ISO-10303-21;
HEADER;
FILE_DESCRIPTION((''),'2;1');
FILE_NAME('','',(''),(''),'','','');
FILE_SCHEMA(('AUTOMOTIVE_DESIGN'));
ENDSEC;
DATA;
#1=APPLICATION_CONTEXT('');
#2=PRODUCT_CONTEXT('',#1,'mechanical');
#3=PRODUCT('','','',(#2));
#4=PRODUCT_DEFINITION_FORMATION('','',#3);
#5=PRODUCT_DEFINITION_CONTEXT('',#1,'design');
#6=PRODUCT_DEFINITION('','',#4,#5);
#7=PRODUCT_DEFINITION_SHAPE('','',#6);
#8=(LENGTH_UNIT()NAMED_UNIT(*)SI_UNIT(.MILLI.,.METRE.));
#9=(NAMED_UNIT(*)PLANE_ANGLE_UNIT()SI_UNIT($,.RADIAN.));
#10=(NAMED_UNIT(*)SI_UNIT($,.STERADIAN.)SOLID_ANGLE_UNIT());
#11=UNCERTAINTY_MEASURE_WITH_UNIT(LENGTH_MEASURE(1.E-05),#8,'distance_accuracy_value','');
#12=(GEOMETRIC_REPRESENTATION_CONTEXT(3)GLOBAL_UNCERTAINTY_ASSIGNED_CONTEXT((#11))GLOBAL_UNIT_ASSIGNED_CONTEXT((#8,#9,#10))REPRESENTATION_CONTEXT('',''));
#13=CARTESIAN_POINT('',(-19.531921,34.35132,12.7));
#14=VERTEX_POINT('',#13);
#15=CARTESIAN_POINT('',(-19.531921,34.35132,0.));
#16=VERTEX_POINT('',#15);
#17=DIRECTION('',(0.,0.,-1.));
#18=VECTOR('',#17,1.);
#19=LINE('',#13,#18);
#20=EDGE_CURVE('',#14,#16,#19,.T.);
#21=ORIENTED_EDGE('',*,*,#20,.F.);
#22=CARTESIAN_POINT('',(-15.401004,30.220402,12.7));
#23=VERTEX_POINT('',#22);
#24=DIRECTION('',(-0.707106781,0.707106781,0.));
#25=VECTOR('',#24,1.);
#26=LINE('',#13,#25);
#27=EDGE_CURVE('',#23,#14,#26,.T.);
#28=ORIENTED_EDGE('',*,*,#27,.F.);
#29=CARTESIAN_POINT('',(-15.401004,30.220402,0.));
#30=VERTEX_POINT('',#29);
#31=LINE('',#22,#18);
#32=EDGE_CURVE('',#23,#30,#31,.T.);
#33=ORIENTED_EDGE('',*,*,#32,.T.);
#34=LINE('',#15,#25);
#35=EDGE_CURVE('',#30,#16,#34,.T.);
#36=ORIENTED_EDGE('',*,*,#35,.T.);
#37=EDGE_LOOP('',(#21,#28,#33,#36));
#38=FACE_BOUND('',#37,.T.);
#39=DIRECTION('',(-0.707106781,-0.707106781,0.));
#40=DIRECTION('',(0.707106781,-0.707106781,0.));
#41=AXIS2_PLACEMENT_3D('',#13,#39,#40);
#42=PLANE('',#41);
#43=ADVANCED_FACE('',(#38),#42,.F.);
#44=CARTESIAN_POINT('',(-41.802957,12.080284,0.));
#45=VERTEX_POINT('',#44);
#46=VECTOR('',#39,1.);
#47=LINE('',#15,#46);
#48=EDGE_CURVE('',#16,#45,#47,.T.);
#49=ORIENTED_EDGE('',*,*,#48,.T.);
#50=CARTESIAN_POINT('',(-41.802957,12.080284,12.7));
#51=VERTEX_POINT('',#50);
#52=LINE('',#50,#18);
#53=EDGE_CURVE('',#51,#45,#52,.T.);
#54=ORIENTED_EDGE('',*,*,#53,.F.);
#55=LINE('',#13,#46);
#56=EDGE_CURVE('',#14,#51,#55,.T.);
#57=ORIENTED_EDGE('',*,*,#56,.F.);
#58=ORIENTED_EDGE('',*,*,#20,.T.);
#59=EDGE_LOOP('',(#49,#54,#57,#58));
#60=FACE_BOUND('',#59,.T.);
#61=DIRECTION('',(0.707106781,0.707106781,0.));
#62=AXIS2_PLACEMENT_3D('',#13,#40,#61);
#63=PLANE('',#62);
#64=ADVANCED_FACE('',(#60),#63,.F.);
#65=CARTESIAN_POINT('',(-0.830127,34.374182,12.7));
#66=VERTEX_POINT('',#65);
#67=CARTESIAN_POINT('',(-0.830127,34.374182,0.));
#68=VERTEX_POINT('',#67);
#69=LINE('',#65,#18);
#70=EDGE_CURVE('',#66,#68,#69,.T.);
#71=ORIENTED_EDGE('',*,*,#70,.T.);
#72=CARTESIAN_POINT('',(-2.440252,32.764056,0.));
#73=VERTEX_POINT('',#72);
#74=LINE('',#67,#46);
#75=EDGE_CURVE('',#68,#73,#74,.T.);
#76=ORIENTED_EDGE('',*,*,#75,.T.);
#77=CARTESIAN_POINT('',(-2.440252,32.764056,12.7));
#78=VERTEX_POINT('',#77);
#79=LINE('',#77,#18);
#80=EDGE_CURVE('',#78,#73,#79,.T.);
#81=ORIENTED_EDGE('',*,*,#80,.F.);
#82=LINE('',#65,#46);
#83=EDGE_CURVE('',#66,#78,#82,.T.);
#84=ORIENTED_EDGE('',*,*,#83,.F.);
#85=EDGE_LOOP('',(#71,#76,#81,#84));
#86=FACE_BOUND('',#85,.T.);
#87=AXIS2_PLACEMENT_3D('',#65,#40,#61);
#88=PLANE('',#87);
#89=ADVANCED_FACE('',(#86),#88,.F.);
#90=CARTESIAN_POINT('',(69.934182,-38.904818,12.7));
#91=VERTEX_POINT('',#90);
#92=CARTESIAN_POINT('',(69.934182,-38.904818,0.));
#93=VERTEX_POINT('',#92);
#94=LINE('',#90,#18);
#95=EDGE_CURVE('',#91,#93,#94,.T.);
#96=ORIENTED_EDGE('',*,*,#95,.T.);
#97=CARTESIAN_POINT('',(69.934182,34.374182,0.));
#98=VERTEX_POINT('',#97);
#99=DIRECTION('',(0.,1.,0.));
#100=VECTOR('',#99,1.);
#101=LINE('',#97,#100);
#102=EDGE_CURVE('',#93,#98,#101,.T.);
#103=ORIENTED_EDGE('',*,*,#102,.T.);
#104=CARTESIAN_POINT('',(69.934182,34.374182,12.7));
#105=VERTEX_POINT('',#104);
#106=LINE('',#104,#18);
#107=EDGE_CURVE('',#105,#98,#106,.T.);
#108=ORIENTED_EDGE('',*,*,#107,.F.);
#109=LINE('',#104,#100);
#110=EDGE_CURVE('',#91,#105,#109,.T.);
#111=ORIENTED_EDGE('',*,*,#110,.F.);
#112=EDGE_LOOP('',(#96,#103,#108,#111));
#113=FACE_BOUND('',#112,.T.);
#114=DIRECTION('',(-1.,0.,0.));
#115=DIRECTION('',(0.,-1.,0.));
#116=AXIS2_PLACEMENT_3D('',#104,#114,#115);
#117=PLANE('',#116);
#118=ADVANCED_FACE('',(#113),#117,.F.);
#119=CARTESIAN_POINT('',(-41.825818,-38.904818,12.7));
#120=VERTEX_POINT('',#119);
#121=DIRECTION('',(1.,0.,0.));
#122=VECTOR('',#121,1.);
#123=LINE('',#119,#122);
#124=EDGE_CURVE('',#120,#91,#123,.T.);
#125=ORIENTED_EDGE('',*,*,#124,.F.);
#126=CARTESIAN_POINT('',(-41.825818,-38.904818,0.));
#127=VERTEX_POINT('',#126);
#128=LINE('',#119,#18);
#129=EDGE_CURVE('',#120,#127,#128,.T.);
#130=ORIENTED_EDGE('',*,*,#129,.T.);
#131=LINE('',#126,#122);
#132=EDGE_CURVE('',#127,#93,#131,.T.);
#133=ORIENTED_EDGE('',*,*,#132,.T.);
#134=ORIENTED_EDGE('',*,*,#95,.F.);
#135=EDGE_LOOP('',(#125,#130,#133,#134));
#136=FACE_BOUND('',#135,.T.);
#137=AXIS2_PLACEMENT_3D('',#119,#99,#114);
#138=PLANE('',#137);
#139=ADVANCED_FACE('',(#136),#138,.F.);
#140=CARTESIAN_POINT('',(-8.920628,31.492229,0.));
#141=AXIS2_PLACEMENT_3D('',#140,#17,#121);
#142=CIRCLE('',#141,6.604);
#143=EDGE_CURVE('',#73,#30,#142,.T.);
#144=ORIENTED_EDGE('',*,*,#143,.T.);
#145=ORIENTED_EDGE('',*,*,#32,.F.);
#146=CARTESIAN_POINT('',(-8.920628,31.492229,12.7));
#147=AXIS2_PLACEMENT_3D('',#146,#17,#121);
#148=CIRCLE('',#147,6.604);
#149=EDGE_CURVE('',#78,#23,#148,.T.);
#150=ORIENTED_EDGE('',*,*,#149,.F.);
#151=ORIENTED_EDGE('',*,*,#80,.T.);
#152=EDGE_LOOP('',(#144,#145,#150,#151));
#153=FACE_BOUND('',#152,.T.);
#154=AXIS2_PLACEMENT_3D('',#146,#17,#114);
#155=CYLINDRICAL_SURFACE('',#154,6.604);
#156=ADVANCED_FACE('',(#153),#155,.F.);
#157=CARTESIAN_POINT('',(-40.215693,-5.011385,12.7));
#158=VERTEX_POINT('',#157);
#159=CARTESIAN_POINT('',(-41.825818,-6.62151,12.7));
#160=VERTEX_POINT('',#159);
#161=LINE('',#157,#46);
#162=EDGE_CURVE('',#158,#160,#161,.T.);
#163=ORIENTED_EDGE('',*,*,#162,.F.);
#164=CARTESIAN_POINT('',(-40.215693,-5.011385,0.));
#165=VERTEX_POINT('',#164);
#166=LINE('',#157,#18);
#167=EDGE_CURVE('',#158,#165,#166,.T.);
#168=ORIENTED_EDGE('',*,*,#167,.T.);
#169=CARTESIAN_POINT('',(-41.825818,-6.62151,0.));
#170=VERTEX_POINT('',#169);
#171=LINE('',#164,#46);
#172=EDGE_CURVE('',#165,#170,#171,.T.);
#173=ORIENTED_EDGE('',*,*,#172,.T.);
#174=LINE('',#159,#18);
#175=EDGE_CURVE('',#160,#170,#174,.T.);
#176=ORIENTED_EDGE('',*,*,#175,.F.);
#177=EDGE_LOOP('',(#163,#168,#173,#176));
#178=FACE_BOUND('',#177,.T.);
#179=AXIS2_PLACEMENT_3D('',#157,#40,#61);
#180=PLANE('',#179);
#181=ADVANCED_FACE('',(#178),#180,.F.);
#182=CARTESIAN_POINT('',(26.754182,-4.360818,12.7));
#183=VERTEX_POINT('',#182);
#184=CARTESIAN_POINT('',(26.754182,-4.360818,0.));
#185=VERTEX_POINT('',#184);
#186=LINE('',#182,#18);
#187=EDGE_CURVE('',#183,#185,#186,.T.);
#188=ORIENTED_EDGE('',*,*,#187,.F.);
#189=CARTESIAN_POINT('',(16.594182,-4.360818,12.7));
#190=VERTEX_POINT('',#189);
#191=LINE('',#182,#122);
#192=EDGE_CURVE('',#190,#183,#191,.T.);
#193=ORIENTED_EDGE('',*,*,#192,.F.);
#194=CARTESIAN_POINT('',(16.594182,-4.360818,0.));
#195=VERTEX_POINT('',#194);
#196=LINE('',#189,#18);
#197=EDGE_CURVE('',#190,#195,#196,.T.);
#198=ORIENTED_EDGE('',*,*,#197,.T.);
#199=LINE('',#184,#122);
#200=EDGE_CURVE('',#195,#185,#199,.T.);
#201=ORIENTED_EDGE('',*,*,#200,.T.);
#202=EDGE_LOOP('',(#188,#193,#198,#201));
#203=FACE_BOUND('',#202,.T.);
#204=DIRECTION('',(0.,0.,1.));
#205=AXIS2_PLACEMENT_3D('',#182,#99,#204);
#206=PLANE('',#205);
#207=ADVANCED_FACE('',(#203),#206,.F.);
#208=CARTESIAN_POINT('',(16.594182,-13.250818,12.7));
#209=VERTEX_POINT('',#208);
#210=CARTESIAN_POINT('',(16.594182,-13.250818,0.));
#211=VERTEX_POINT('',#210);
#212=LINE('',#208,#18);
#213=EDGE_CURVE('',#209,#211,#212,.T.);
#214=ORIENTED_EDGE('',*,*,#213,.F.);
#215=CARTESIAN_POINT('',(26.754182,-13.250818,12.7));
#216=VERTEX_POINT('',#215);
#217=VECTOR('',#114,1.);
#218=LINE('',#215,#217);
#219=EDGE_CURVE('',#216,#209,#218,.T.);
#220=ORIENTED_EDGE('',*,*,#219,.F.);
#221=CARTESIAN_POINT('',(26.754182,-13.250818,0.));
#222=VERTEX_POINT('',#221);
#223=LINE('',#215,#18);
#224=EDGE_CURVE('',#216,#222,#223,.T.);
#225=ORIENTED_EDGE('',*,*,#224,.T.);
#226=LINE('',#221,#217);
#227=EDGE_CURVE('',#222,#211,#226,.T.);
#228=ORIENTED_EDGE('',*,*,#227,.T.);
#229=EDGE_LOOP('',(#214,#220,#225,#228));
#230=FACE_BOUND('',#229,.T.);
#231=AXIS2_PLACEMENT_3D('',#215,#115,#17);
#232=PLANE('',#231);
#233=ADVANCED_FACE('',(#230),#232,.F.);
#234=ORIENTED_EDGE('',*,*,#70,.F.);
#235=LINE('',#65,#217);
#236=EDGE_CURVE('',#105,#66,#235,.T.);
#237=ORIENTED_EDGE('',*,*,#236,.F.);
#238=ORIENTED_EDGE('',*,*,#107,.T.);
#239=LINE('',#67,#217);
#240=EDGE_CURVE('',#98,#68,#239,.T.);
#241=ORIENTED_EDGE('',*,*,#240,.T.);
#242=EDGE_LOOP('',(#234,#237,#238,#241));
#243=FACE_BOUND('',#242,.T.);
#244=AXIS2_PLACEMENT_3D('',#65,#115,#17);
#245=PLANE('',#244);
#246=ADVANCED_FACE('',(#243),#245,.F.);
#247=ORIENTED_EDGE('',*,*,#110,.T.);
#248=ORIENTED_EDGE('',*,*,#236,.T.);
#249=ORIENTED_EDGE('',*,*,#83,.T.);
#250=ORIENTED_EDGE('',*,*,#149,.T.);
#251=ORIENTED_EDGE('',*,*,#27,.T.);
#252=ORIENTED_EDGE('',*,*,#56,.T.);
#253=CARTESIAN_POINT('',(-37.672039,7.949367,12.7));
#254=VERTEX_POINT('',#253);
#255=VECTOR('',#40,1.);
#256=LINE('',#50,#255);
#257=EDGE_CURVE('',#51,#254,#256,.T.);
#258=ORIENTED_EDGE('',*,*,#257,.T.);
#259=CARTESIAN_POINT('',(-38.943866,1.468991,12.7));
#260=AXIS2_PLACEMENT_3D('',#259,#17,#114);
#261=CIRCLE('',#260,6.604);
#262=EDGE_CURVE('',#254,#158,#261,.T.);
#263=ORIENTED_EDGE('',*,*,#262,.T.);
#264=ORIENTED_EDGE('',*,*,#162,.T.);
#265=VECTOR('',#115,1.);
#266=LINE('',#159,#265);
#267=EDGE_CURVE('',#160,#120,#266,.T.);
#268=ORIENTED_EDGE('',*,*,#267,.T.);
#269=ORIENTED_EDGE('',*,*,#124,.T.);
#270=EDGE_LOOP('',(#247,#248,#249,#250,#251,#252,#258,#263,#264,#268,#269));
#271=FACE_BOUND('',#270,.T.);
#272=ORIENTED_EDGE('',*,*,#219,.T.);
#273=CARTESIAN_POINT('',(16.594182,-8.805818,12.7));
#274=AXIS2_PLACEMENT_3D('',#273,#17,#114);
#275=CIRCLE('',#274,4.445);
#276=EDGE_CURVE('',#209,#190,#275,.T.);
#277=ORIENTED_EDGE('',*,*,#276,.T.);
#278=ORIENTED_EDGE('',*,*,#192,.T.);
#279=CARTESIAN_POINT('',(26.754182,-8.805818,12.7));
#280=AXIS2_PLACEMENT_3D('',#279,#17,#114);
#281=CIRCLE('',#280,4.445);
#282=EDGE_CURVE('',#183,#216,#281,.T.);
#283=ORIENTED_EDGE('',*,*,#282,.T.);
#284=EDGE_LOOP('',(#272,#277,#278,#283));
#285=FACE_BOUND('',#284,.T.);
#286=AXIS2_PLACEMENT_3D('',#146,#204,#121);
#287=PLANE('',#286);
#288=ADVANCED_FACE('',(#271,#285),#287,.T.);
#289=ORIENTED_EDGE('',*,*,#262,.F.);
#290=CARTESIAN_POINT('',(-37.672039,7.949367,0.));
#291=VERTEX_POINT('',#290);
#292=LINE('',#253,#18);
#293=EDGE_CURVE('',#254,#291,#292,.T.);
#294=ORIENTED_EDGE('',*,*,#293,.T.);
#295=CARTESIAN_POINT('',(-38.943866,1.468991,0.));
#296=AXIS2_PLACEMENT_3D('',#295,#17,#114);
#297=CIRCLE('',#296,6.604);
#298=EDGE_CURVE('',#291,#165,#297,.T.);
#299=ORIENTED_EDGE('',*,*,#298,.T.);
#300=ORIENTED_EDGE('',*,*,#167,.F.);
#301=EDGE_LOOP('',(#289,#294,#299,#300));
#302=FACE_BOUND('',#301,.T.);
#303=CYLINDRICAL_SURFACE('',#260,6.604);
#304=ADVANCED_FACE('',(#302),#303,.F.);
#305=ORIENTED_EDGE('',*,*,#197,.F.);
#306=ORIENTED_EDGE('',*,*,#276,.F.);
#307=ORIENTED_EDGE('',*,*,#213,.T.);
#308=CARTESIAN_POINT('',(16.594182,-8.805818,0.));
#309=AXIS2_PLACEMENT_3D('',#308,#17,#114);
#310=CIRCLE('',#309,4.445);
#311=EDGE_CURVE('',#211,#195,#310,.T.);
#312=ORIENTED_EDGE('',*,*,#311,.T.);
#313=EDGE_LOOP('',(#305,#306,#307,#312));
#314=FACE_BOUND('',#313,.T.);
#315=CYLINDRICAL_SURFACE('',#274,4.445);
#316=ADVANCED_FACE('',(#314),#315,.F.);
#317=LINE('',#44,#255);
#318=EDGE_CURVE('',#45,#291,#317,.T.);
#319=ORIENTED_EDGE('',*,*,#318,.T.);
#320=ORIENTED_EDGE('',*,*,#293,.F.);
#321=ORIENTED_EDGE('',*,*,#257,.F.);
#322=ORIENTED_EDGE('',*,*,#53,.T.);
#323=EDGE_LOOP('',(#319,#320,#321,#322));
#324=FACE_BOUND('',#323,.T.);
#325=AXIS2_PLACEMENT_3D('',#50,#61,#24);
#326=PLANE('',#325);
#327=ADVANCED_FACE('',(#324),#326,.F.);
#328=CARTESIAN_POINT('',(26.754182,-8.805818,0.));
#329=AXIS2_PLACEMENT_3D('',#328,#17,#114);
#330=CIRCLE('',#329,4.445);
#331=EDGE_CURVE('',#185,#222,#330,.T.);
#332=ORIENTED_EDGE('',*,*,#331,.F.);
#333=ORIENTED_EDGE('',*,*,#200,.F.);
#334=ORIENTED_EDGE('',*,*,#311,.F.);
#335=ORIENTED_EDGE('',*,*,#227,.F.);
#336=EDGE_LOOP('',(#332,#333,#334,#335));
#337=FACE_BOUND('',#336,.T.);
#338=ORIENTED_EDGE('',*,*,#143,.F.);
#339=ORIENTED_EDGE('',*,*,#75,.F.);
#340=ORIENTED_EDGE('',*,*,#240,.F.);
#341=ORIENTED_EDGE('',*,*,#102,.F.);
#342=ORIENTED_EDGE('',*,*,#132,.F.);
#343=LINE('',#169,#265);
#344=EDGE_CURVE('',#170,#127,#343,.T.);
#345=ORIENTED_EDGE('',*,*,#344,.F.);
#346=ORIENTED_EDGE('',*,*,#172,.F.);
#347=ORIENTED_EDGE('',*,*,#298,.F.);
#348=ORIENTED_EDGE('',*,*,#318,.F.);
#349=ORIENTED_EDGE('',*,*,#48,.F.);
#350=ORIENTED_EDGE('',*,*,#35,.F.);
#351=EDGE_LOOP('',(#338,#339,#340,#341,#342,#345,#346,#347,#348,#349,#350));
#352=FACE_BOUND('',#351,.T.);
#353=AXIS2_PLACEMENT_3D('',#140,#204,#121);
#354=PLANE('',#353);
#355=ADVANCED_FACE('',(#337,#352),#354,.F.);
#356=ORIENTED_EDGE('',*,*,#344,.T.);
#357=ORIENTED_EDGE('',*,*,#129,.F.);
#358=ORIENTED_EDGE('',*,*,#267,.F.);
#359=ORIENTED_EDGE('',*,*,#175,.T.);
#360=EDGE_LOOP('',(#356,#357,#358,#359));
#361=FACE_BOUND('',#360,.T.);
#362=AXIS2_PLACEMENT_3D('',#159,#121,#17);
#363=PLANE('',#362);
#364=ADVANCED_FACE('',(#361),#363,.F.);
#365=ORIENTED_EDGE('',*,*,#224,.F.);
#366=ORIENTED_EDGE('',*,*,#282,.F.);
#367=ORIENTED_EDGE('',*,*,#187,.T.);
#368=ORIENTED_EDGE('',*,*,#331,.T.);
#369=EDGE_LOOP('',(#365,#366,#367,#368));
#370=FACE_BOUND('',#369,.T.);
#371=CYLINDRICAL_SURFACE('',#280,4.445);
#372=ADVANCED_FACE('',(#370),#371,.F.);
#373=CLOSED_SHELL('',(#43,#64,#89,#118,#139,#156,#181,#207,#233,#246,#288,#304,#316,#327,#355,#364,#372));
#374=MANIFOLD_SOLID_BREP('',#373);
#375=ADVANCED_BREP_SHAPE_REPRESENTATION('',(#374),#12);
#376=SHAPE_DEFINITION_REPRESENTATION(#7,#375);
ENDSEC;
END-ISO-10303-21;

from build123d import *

# Parameters (mm, degrees)
BOSS_EXTRUDE1_DEPTH = 12.7
CUT_EXTRUDE1_DEPTH  = 82.028788994


with BuildPart() as part:
    # Sketch1 → Boss-Extrude1 (new body)
    with BuildSketch(Plane.XY):
        with BuildLine():
            Line((-0.830126662, 34.37418152), (69.93418152, 34.37418152))
            Line((69.93418152, 34.37418152), (69.93418152, -38.90481848))
            Line((69.93418152, -38.90481848), (-41.82581848, -38.90481848))
            Line((-41.82581848, -38.90481848), (-41.82581848, -6.621510298))
            Line((-41.82581848, -6.621510298), (-40.215693332, -5.01138515))
            ThreePointArc((-40.215693332, -5.01138515), (-32.463490161, 0.197163401), (-37.672038711, 7.949366571))
            Line((-37.672038711, 7.949366571), (-41.802956527, 12.080284387))
            Line((-41.802956527, 12.080284387), (-19.531921346, 34.351319567))
            Line((-19.531921346, 34.351319567), (-15.401003531, 30.220401752))
            ThreePointArc((-15.401003531, 30.220401752), (-7.64880036, 25.011853201), (-2.44025181, 32.764056372))
            Line((-2.44025181, 32.764056372), (-0.830126662, 34.37418152))
        make_face()
    extrude(amount=BOSS_EXTRUDE1_DEPTH)

    # Sketch2 → Cut-Extrude1 (cut, through all)
    with BuildSketch(Plane(origin=(0, 0, 0), x_dir=(-1, 0, 0), z_dir=(0, 0, -1))):
        with BuildLine():
            Line((-26.75418152, -4.36081848), (-16.59418152, -4.36081848))
            ThreePointArc((-16.59418152, -4.36081848), (-12.14918152, -8.80581848), (-16.59418152, -13.25081848))
            Line((-16.59418152, -13.25081848), (-26.75418152, -13.25081848))
            ThreePointArc((-26.75418152, -13.25081848), (-31.19918152, -8.80581848), (-26.75418152, -4.36081848))
        make_face()
    extrude(amount=-CUT_EXTRUDE1_DEPTH, mode=Mode.SUBTRACT)


solid = part.part
